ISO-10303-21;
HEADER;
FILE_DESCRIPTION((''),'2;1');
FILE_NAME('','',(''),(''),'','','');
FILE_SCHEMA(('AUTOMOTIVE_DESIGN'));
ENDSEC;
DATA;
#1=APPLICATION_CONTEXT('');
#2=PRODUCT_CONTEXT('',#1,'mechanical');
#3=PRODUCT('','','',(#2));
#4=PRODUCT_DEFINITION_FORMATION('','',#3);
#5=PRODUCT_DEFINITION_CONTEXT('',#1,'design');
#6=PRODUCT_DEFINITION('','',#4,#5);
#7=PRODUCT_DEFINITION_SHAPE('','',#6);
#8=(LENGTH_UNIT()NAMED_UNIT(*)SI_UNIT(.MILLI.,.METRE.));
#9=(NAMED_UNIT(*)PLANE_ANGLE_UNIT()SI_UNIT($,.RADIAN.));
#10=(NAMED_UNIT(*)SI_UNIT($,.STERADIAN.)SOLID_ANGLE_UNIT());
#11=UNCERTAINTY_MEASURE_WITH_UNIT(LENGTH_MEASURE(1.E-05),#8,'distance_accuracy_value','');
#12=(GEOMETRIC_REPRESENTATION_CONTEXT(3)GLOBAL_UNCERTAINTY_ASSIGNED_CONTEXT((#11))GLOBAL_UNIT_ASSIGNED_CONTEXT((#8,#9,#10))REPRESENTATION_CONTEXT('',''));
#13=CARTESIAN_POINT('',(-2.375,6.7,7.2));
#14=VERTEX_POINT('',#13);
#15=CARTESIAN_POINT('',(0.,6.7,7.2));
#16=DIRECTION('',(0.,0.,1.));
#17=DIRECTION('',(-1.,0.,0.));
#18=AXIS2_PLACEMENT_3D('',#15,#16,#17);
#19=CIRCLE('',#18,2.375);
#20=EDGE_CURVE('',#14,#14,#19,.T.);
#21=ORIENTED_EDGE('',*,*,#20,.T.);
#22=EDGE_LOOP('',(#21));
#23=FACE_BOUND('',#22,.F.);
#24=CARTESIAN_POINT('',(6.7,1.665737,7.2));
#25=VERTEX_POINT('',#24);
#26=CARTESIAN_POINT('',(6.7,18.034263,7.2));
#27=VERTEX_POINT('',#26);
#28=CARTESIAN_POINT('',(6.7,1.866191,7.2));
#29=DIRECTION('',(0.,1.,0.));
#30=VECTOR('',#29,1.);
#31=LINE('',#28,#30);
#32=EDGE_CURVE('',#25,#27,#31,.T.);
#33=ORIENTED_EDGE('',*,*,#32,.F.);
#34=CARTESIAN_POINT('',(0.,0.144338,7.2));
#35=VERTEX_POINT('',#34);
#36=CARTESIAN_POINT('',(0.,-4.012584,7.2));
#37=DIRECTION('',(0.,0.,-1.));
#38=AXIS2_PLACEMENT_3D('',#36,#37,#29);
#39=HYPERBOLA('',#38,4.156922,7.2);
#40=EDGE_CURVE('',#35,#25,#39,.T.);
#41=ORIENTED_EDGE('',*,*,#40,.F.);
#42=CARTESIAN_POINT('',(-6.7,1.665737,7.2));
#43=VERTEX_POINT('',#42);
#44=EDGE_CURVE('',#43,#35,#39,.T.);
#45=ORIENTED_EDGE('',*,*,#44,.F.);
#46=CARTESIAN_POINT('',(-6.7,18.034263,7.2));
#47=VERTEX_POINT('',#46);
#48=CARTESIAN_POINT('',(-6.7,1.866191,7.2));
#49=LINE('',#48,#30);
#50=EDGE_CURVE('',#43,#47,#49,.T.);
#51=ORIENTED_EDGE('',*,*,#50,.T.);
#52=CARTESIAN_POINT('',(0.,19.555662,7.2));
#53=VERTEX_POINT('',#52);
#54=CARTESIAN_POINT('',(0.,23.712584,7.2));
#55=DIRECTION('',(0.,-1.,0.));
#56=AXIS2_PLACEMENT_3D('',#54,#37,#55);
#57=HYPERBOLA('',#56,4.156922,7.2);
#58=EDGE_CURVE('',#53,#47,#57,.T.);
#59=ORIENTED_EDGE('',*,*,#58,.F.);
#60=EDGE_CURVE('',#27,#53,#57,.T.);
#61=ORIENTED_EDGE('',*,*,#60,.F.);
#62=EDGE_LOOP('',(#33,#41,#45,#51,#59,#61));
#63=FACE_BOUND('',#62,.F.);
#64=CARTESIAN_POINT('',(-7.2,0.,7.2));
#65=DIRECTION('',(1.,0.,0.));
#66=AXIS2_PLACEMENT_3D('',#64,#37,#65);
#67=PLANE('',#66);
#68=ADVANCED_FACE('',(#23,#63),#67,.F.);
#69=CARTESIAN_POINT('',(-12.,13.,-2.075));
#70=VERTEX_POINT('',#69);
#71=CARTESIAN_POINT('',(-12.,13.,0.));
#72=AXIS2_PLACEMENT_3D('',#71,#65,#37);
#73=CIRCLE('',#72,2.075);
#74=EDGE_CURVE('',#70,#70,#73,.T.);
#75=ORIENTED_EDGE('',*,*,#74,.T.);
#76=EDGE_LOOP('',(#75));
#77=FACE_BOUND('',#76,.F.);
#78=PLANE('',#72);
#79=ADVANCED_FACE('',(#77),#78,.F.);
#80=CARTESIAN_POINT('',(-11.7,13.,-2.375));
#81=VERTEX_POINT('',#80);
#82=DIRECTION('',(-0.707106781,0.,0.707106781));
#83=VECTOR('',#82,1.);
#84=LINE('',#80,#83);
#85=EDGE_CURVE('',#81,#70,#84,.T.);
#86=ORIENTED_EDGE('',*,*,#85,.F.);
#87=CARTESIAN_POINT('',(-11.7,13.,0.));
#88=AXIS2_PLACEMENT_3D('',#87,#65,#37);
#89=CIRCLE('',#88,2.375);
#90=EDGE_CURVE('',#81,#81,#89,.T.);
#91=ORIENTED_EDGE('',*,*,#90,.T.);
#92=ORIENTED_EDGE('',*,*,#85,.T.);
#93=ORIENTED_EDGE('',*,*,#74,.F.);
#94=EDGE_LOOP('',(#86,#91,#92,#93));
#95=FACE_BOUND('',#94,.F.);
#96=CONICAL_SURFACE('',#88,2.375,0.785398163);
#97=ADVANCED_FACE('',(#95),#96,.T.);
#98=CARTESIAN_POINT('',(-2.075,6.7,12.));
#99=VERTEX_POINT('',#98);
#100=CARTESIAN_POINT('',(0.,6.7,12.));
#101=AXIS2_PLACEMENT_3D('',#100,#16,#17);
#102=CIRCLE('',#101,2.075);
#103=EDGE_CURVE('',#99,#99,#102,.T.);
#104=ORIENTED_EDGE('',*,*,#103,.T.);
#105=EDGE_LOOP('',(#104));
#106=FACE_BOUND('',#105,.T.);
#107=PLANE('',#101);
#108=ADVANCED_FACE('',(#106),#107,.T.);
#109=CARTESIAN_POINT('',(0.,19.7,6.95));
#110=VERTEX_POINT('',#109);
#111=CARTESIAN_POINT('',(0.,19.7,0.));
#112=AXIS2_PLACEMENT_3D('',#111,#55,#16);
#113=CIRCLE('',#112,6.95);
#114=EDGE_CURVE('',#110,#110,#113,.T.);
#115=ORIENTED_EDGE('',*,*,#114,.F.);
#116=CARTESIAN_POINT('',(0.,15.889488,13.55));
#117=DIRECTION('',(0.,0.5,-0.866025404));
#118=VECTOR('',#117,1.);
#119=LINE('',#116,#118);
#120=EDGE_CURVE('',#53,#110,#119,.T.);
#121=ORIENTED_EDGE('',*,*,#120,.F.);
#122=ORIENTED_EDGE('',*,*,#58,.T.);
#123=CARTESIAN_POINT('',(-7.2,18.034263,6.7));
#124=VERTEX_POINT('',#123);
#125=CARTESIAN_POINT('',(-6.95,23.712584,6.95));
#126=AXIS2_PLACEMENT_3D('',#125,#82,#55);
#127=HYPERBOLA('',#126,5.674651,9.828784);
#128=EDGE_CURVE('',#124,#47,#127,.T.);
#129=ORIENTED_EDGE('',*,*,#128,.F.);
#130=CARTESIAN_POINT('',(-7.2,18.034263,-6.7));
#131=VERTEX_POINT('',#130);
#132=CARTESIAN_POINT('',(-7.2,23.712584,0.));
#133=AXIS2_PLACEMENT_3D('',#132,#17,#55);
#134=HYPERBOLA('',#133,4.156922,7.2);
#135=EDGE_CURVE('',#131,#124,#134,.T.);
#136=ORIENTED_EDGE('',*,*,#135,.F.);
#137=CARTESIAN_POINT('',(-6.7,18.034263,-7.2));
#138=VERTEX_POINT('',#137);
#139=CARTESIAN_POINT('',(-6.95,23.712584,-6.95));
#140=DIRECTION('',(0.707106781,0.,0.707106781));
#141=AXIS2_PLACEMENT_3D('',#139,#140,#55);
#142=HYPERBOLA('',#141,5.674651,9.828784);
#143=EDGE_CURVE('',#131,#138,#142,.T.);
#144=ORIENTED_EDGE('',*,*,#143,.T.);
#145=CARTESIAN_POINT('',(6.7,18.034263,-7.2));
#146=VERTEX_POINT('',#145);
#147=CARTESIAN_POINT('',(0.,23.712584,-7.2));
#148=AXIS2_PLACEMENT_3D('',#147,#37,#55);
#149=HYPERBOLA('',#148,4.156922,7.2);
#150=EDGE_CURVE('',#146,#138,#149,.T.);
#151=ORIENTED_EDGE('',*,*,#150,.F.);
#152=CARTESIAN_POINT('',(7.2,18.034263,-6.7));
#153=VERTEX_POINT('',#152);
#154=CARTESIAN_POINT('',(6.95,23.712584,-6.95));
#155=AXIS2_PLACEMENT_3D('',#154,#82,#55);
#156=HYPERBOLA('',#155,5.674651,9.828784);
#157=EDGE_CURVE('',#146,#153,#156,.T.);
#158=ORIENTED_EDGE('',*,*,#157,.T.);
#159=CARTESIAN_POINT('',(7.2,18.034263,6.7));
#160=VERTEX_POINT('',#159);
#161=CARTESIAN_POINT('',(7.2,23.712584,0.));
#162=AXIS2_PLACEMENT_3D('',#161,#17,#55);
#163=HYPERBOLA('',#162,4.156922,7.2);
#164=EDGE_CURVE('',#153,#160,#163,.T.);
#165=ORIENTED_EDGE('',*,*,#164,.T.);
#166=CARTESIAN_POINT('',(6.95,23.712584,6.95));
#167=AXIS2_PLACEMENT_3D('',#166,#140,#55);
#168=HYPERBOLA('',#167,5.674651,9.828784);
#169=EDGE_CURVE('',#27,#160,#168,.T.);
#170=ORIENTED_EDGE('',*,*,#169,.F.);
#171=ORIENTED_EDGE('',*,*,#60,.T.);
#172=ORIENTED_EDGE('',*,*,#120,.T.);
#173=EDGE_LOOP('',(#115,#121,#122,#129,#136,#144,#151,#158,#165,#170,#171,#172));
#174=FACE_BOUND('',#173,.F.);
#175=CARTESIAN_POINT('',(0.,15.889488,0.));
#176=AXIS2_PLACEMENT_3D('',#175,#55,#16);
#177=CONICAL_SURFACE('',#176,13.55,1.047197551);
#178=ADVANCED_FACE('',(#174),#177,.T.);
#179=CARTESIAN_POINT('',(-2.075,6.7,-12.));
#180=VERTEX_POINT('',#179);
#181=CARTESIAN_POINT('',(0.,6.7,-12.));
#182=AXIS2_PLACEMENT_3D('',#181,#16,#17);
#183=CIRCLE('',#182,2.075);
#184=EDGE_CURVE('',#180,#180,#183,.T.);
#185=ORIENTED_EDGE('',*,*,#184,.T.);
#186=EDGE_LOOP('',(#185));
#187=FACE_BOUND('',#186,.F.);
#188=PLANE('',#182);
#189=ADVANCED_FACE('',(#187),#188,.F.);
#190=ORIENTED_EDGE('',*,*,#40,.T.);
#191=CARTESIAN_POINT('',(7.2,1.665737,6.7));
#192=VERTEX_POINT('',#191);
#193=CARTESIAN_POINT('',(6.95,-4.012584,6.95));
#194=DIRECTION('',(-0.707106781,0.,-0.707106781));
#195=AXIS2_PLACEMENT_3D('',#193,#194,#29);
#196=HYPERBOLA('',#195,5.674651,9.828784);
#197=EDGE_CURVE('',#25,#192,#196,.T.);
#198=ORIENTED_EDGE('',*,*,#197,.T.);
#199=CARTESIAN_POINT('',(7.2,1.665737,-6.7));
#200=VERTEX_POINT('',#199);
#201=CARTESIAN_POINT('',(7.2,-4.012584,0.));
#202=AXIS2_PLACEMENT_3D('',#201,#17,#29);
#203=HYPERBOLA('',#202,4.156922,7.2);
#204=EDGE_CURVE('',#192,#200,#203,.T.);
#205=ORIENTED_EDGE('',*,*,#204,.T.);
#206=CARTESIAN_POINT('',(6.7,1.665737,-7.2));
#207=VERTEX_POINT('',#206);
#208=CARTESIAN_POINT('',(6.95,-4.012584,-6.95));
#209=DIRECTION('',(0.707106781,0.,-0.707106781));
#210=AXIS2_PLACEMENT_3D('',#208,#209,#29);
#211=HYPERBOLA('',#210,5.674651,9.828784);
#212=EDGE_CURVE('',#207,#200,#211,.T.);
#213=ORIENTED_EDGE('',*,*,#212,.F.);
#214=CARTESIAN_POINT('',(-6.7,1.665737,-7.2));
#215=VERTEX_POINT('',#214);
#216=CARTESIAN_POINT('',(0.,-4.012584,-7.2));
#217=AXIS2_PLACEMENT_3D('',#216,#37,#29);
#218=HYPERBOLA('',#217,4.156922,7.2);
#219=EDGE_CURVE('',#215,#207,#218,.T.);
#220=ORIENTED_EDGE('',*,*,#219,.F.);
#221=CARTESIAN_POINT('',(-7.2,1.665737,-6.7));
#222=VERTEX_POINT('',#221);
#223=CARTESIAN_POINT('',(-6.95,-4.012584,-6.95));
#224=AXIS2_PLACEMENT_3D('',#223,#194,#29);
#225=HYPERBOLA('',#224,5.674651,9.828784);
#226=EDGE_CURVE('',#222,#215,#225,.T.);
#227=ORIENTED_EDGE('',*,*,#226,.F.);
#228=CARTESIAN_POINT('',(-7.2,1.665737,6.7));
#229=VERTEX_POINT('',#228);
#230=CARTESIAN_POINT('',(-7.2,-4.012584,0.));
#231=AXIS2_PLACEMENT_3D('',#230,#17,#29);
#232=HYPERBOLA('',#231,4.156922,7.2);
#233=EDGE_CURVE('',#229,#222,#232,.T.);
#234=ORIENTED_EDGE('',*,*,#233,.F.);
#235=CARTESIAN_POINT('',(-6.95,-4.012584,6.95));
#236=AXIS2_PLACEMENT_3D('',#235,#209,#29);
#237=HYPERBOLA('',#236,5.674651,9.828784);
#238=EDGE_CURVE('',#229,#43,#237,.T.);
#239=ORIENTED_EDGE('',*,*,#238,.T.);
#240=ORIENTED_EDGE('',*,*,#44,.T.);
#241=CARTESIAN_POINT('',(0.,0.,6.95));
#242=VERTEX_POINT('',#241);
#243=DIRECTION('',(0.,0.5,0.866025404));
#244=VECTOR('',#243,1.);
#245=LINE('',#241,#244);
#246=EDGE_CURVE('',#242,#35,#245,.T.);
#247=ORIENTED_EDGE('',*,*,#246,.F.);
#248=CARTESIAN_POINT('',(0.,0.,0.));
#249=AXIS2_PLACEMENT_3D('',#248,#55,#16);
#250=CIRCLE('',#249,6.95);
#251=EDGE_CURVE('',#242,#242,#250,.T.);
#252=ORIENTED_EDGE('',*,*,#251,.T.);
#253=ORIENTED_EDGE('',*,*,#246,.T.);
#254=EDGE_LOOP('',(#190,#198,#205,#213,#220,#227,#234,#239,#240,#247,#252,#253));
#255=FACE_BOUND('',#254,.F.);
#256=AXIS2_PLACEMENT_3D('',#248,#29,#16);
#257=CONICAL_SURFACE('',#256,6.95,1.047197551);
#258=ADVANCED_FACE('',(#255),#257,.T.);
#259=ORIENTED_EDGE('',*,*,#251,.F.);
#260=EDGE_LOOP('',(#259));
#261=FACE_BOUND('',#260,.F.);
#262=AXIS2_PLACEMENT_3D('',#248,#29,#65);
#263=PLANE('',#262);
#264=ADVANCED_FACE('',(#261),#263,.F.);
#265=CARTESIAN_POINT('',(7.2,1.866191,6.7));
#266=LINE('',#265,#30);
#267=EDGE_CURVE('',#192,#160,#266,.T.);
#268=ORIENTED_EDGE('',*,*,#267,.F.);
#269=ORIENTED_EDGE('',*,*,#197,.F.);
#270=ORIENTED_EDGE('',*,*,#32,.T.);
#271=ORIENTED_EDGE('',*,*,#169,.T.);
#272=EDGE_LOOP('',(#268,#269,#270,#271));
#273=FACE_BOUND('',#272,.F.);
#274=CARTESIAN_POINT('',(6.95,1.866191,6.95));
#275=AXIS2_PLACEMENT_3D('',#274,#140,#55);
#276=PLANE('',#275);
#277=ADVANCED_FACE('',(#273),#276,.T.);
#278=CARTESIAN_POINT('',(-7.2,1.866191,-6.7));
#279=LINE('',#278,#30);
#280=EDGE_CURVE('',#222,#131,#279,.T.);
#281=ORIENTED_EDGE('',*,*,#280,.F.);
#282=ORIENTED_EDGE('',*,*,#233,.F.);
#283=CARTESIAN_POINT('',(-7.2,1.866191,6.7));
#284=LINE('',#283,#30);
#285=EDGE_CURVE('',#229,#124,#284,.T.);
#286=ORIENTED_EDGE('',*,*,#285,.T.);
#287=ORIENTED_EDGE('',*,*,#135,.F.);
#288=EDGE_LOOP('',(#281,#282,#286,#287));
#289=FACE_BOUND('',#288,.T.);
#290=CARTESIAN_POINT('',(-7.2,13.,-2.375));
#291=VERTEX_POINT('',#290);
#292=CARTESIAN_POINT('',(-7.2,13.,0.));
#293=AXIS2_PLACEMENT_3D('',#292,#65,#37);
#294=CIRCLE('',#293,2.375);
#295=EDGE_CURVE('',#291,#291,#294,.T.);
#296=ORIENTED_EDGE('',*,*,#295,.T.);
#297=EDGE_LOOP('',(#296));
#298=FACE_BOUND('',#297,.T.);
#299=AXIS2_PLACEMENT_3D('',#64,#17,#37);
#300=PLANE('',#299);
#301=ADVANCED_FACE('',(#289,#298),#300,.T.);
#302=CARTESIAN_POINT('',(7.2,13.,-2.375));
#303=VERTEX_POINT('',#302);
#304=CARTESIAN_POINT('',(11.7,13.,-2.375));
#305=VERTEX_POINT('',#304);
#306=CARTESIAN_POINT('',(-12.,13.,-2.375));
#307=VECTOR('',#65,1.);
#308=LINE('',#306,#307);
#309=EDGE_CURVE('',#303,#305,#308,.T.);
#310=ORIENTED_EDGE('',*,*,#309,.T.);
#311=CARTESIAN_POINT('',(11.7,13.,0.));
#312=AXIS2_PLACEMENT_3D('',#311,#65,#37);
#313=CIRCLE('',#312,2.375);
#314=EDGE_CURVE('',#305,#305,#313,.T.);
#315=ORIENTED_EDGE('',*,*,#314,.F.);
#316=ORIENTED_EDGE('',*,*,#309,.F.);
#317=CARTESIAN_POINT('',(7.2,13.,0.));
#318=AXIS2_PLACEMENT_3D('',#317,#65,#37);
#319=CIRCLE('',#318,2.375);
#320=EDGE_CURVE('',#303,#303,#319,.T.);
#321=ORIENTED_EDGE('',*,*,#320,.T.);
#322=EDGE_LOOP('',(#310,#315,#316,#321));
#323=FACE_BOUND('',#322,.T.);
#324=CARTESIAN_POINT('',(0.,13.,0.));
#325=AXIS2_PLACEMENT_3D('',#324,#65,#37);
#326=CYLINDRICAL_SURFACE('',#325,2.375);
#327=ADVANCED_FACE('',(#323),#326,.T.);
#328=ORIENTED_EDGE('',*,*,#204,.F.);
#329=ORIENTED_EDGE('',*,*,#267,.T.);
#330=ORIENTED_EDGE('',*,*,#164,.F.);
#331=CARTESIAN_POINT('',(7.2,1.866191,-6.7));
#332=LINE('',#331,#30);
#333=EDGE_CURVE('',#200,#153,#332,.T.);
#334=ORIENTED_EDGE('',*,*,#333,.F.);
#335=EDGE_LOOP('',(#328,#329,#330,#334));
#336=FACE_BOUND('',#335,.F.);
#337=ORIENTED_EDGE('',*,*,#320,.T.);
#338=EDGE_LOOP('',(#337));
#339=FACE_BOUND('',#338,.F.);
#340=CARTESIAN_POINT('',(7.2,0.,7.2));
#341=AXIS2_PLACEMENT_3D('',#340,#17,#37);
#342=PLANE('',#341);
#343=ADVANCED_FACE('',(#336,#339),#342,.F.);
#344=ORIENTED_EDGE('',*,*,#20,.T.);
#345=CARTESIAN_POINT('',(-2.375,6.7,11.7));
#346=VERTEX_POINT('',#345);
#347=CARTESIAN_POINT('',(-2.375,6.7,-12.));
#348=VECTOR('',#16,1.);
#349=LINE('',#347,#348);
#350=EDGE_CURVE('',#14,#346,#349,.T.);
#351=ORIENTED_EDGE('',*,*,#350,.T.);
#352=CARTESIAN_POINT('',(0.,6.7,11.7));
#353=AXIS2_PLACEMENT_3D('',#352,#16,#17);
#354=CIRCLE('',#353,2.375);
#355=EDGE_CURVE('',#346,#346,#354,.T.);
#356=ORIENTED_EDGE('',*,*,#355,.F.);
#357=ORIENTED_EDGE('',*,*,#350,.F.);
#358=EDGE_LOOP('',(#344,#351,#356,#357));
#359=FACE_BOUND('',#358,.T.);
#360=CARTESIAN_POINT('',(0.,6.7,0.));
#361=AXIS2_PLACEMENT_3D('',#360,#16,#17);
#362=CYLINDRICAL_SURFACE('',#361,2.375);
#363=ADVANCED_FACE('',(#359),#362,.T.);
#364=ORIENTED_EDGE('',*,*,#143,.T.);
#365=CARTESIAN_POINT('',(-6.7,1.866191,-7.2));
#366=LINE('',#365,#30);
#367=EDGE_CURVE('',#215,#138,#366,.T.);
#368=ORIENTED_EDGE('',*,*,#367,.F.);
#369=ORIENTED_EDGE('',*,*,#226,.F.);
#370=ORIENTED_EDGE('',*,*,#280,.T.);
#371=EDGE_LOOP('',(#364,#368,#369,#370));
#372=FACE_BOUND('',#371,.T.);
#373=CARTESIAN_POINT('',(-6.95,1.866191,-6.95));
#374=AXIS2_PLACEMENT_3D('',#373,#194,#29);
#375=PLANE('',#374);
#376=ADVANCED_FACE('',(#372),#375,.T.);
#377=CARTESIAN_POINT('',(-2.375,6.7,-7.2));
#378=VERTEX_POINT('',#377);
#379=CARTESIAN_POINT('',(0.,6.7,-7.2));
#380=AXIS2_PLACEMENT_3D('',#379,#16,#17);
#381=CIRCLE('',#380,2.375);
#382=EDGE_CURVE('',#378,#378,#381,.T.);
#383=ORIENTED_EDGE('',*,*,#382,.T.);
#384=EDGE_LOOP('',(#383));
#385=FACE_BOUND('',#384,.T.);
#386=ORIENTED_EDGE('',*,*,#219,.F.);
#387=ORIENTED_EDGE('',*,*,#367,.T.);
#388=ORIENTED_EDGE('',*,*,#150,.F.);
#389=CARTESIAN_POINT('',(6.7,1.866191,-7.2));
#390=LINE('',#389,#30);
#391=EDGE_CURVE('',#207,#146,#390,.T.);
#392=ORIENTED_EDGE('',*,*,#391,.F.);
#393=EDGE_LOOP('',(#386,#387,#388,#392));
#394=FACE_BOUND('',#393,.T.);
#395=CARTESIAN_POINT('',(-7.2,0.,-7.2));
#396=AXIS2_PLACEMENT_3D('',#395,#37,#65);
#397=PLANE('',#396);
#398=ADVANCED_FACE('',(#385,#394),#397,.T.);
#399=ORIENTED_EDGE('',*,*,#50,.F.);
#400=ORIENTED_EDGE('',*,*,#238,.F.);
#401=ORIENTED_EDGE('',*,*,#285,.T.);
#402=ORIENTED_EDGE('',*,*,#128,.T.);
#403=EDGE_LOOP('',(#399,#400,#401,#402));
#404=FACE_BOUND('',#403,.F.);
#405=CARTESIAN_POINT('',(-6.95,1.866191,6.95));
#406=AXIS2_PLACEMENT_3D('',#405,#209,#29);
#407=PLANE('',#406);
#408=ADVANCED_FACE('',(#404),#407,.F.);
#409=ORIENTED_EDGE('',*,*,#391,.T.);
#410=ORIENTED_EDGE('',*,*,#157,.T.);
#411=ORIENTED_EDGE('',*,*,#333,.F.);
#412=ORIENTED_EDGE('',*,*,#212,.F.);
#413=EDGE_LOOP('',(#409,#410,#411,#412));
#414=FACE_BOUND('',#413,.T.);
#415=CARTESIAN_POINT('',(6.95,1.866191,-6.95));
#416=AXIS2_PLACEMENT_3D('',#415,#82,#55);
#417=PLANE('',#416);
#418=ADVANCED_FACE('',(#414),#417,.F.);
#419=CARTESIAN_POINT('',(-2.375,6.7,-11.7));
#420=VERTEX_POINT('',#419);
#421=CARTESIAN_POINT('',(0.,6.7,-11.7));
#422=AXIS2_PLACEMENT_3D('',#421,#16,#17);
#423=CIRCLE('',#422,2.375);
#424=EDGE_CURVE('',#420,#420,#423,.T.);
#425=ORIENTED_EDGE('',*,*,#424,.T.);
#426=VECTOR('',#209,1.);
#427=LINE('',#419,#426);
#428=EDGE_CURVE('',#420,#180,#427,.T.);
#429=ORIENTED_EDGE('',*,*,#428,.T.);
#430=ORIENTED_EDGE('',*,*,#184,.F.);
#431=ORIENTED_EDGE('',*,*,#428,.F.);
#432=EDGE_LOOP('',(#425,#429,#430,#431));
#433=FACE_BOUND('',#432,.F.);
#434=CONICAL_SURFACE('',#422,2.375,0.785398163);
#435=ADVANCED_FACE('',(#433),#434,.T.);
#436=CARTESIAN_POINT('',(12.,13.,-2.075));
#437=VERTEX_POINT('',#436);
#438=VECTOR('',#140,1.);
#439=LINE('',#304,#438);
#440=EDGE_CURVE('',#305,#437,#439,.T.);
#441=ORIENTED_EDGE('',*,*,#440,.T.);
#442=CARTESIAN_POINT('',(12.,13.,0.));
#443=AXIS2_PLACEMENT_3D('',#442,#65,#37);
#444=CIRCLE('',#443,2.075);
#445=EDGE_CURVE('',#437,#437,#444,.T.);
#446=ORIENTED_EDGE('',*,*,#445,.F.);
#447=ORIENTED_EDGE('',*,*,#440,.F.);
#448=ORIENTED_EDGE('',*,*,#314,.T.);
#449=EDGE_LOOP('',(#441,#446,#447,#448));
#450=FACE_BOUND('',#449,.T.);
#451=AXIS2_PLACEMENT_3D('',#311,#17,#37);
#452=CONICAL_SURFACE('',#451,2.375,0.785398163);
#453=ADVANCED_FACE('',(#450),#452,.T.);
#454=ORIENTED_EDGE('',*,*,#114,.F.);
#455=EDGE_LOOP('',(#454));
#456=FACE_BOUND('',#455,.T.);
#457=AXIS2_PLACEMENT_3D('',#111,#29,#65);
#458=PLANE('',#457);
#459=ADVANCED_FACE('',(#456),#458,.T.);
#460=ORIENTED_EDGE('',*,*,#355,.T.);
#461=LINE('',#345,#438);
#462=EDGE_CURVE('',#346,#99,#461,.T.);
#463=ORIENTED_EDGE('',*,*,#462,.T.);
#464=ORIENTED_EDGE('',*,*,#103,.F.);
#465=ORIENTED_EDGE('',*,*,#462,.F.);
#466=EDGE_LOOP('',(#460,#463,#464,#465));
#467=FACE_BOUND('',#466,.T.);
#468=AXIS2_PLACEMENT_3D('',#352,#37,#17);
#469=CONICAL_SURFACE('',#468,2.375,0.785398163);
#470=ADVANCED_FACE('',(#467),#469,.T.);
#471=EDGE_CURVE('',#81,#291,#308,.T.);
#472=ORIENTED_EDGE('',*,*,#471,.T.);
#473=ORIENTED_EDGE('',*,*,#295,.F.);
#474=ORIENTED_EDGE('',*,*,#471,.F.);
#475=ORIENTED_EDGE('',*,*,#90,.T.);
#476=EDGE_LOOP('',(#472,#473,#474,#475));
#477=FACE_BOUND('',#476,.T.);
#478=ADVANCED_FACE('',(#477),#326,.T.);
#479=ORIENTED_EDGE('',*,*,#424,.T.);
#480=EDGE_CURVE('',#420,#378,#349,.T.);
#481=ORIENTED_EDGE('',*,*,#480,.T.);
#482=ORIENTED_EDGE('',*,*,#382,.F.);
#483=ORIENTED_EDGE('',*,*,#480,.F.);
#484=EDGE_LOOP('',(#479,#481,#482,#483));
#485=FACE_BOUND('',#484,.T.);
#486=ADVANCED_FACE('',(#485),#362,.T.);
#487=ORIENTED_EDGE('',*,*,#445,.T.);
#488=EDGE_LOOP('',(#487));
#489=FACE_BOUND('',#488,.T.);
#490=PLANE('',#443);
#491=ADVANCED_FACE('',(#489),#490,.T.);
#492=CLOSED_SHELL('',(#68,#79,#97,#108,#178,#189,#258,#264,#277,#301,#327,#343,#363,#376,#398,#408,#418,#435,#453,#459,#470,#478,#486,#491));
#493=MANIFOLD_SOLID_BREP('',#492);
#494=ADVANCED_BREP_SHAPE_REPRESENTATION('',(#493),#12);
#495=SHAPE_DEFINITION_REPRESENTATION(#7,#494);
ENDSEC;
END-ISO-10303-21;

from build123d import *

# Parameters (mm, degrees)
SKETCH1_W           = 14.4
SKETCH1_H           = 14.4
BOSS_EXTRUDE1_DEPTH = 19.7
SKETCH3_R           = 2.375
BOSS_EXTRUDE2_DEPTH = 12
SKETCH4_R           = 2.375
BOSS_EXTRUDE3_DEPTH = 12
CHAMFER1_SIZE       = 0.3
CHAMFER2_SIZE       = 0.5


with BuildPart() as part:
    # Sketch1 → Boss-Extrude1 (new body)
    with BuildSketch(Plane(origin=(0, 0, 0), x_dir=(1, 0, 0), z_dir=(0, 1, 0))):
        Rectangle(SKETCH1_W, SKETCH1_H)
    extrude(amount=BOSS_EXTRUDE1_DEPTH)

    # Sketch2 → Cut-Revolve1 (revolve, cut)
    with BuildSketch(Plane.XY, mode=Mode.PRIVATE) as cut_revolve1_sk:
        Polygon((-6.95, 19.7), (-16.09, 19.7), (-16.09, 0), (-6.95, 0), (-13.55, 3.810511777), (-13.55, 15.889488223), align=None)
    revolve(cut_revolve1_sk.sketch.rotate(Axis((0, 20.685, 0), (0, -1, 0)), 270), axis=Axis((0, 20.685, 0), (0, -1, 0)), mode=Mode.SUBTRACT)

    # Sketch3 → Boss-Extrude2 (add, symmetric)
    with BuildSketch(Plane.XY):
        with Locations(Location((0, 6.7, 0), (0, 0, 180))):
            Circle(SKETCH3_R)
    extrude(amount=BOSS_EXTRUDE2_DEPTH, both=True)

    # Sketch4 → Boss-Extrude3 (add, symmetric)
    with BuildSketch(Plane(origin=(0, 0, 0), x_dir=(0, 0, -1), z_dir=(1, 0, 0))):
        with Locations((0, 13)):
            Circle(SKETCH4_R)
    extrude(amount=BOSS_EXTRUDE3_DEPTH, both=True)

    # Chamfer1
    chamfer1_edges = [part.edges().sort_by_distance(p)[0] for p in [
        (2.375, 6.7, -12),
        (2.375, 6.7, 12),
        (-12, 13, 2.375),
        (12, 13, 2.375),
    ]]
    chamfer(chamfer1_edges, length=CHAMFER1_SIZE)

    # Chamfer2
    chamfer2_edges = [part.edges().sort_by_distance(p)[0] for p in [
        (7.2, 9.85, 7.2),
        (7.2, 9.85, -7.2),
        (-7.2, 9.85, 7.2),
        (-7.2, 9.85, -7.2),
    ]]
    chamfer(chamfer2_edges, length=CHAMFER2_SIZE)


solid = part.part
